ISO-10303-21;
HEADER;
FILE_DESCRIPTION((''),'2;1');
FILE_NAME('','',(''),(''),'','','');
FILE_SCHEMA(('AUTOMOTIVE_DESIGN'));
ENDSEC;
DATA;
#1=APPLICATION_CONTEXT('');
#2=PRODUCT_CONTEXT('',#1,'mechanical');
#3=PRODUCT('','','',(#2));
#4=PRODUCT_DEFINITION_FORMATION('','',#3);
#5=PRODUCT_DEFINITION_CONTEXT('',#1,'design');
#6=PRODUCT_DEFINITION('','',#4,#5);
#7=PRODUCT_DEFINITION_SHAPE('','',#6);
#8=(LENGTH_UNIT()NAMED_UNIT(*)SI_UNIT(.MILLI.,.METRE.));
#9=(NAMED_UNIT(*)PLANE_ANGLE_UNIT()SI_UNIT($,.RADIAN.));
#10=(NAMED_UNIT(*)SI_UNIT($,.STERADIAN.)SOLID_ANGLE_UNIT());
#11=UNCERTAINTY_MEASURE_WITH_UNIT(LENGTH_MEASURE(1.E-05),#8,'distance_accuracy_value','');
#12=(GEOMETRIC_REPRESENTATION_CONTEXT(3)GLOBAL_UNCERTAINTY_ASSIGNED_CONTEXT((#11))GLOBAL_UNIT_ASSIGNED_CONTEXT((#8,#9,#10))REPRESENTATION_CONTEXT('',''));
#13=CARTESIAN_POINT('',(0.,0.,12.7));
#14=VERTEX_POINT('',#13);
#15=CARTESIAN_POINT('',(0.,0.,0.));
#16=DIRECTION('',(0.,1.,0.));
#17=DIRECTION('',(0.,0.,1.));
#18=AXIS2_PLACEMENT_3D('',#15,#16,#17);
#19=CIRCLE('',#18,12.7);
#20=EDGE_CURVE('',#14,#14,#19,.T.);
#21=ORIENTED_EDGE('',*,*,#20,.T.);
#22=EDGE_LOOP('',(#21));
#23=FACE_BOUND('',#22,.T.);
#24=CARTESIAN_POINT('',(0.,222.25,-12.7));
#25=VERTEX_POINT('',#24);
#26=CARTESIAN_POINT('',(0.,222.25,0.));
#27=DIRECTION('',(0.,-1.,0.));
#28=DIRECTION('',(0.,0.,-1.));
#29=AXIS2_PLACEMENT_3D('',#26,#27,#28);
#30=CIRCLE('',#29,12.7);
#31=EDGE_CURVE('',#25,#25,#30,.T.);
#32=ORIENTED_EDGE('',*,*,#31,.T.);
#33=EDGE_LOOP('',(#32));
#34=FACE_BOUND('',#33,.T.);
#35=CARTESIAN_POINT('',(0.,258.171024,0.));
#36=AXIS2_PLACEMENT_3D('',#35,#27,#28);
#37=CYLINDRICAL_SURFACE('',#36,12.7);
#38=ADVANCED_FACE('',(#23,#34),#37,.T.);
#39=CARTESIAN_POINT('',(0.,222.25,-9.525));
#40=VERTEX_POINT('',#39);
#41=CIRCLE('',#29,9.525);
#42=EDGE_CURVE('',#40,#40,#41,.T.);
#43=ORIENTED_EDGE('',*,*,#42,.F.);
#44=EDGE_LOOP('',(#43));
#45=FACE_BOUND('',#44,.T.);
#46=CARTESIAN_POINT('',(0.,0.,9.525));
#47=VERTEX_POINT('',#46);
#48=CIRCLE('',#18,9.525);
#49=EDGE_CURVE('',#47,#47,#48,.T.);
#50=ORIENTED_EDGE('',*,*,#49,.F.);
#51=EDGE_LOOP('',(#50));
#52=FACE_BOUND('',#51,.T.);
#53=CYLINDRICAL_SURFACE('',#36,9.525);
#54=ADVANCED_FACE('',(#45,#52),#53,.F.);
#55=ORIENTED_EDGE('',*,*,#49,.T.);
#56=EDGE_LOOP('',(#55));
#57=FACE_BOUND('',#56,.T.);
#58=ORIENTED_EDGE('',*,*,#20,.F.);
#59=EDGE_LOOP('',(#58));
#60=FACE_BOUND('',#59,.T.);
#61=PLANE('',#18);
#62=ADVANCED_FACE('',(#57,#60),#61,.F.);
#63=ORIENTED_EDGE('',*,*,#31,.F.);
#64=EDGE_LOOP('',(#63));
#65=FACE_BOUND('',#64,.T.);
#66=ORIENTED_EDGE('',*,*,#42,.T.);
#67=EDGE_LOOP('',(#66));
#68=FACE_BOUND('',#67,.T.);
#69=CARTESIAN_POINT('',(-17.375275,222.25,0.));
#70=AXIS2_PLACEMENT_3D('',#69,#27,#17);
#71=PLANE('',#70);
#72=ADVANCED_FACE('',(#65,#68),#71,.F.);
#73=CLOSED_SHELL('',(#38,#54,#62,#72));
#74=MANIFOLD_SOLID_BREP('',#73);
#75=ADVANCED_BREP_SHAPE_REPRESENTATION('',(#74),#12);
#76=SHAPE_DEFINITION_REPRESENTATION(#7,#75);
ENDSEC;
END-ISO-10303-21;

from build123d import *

# Parameters (mm, degrees)
SKETCH1_R           = 12.7
SKETCH1_R_2         = 9.525
BOSS_EXTRUDE1_DEPTH = 222.25


with BuildPart() as part:
    # Sketch1 → Boss-Extrude1 (new body)
    with BuildSketch(Plane(origin=(0, 0, 0), x_dir=(1, 0, 0), z_dir=(0, 1, 0))):
        Circle(SKETCH1_R)
        Circle(SKETCH1_R_2, mode=Mode.SUBTRACT)
    extrude(amount=BOSS_EXTRUDE1_DEPTH)


solid = part.part
